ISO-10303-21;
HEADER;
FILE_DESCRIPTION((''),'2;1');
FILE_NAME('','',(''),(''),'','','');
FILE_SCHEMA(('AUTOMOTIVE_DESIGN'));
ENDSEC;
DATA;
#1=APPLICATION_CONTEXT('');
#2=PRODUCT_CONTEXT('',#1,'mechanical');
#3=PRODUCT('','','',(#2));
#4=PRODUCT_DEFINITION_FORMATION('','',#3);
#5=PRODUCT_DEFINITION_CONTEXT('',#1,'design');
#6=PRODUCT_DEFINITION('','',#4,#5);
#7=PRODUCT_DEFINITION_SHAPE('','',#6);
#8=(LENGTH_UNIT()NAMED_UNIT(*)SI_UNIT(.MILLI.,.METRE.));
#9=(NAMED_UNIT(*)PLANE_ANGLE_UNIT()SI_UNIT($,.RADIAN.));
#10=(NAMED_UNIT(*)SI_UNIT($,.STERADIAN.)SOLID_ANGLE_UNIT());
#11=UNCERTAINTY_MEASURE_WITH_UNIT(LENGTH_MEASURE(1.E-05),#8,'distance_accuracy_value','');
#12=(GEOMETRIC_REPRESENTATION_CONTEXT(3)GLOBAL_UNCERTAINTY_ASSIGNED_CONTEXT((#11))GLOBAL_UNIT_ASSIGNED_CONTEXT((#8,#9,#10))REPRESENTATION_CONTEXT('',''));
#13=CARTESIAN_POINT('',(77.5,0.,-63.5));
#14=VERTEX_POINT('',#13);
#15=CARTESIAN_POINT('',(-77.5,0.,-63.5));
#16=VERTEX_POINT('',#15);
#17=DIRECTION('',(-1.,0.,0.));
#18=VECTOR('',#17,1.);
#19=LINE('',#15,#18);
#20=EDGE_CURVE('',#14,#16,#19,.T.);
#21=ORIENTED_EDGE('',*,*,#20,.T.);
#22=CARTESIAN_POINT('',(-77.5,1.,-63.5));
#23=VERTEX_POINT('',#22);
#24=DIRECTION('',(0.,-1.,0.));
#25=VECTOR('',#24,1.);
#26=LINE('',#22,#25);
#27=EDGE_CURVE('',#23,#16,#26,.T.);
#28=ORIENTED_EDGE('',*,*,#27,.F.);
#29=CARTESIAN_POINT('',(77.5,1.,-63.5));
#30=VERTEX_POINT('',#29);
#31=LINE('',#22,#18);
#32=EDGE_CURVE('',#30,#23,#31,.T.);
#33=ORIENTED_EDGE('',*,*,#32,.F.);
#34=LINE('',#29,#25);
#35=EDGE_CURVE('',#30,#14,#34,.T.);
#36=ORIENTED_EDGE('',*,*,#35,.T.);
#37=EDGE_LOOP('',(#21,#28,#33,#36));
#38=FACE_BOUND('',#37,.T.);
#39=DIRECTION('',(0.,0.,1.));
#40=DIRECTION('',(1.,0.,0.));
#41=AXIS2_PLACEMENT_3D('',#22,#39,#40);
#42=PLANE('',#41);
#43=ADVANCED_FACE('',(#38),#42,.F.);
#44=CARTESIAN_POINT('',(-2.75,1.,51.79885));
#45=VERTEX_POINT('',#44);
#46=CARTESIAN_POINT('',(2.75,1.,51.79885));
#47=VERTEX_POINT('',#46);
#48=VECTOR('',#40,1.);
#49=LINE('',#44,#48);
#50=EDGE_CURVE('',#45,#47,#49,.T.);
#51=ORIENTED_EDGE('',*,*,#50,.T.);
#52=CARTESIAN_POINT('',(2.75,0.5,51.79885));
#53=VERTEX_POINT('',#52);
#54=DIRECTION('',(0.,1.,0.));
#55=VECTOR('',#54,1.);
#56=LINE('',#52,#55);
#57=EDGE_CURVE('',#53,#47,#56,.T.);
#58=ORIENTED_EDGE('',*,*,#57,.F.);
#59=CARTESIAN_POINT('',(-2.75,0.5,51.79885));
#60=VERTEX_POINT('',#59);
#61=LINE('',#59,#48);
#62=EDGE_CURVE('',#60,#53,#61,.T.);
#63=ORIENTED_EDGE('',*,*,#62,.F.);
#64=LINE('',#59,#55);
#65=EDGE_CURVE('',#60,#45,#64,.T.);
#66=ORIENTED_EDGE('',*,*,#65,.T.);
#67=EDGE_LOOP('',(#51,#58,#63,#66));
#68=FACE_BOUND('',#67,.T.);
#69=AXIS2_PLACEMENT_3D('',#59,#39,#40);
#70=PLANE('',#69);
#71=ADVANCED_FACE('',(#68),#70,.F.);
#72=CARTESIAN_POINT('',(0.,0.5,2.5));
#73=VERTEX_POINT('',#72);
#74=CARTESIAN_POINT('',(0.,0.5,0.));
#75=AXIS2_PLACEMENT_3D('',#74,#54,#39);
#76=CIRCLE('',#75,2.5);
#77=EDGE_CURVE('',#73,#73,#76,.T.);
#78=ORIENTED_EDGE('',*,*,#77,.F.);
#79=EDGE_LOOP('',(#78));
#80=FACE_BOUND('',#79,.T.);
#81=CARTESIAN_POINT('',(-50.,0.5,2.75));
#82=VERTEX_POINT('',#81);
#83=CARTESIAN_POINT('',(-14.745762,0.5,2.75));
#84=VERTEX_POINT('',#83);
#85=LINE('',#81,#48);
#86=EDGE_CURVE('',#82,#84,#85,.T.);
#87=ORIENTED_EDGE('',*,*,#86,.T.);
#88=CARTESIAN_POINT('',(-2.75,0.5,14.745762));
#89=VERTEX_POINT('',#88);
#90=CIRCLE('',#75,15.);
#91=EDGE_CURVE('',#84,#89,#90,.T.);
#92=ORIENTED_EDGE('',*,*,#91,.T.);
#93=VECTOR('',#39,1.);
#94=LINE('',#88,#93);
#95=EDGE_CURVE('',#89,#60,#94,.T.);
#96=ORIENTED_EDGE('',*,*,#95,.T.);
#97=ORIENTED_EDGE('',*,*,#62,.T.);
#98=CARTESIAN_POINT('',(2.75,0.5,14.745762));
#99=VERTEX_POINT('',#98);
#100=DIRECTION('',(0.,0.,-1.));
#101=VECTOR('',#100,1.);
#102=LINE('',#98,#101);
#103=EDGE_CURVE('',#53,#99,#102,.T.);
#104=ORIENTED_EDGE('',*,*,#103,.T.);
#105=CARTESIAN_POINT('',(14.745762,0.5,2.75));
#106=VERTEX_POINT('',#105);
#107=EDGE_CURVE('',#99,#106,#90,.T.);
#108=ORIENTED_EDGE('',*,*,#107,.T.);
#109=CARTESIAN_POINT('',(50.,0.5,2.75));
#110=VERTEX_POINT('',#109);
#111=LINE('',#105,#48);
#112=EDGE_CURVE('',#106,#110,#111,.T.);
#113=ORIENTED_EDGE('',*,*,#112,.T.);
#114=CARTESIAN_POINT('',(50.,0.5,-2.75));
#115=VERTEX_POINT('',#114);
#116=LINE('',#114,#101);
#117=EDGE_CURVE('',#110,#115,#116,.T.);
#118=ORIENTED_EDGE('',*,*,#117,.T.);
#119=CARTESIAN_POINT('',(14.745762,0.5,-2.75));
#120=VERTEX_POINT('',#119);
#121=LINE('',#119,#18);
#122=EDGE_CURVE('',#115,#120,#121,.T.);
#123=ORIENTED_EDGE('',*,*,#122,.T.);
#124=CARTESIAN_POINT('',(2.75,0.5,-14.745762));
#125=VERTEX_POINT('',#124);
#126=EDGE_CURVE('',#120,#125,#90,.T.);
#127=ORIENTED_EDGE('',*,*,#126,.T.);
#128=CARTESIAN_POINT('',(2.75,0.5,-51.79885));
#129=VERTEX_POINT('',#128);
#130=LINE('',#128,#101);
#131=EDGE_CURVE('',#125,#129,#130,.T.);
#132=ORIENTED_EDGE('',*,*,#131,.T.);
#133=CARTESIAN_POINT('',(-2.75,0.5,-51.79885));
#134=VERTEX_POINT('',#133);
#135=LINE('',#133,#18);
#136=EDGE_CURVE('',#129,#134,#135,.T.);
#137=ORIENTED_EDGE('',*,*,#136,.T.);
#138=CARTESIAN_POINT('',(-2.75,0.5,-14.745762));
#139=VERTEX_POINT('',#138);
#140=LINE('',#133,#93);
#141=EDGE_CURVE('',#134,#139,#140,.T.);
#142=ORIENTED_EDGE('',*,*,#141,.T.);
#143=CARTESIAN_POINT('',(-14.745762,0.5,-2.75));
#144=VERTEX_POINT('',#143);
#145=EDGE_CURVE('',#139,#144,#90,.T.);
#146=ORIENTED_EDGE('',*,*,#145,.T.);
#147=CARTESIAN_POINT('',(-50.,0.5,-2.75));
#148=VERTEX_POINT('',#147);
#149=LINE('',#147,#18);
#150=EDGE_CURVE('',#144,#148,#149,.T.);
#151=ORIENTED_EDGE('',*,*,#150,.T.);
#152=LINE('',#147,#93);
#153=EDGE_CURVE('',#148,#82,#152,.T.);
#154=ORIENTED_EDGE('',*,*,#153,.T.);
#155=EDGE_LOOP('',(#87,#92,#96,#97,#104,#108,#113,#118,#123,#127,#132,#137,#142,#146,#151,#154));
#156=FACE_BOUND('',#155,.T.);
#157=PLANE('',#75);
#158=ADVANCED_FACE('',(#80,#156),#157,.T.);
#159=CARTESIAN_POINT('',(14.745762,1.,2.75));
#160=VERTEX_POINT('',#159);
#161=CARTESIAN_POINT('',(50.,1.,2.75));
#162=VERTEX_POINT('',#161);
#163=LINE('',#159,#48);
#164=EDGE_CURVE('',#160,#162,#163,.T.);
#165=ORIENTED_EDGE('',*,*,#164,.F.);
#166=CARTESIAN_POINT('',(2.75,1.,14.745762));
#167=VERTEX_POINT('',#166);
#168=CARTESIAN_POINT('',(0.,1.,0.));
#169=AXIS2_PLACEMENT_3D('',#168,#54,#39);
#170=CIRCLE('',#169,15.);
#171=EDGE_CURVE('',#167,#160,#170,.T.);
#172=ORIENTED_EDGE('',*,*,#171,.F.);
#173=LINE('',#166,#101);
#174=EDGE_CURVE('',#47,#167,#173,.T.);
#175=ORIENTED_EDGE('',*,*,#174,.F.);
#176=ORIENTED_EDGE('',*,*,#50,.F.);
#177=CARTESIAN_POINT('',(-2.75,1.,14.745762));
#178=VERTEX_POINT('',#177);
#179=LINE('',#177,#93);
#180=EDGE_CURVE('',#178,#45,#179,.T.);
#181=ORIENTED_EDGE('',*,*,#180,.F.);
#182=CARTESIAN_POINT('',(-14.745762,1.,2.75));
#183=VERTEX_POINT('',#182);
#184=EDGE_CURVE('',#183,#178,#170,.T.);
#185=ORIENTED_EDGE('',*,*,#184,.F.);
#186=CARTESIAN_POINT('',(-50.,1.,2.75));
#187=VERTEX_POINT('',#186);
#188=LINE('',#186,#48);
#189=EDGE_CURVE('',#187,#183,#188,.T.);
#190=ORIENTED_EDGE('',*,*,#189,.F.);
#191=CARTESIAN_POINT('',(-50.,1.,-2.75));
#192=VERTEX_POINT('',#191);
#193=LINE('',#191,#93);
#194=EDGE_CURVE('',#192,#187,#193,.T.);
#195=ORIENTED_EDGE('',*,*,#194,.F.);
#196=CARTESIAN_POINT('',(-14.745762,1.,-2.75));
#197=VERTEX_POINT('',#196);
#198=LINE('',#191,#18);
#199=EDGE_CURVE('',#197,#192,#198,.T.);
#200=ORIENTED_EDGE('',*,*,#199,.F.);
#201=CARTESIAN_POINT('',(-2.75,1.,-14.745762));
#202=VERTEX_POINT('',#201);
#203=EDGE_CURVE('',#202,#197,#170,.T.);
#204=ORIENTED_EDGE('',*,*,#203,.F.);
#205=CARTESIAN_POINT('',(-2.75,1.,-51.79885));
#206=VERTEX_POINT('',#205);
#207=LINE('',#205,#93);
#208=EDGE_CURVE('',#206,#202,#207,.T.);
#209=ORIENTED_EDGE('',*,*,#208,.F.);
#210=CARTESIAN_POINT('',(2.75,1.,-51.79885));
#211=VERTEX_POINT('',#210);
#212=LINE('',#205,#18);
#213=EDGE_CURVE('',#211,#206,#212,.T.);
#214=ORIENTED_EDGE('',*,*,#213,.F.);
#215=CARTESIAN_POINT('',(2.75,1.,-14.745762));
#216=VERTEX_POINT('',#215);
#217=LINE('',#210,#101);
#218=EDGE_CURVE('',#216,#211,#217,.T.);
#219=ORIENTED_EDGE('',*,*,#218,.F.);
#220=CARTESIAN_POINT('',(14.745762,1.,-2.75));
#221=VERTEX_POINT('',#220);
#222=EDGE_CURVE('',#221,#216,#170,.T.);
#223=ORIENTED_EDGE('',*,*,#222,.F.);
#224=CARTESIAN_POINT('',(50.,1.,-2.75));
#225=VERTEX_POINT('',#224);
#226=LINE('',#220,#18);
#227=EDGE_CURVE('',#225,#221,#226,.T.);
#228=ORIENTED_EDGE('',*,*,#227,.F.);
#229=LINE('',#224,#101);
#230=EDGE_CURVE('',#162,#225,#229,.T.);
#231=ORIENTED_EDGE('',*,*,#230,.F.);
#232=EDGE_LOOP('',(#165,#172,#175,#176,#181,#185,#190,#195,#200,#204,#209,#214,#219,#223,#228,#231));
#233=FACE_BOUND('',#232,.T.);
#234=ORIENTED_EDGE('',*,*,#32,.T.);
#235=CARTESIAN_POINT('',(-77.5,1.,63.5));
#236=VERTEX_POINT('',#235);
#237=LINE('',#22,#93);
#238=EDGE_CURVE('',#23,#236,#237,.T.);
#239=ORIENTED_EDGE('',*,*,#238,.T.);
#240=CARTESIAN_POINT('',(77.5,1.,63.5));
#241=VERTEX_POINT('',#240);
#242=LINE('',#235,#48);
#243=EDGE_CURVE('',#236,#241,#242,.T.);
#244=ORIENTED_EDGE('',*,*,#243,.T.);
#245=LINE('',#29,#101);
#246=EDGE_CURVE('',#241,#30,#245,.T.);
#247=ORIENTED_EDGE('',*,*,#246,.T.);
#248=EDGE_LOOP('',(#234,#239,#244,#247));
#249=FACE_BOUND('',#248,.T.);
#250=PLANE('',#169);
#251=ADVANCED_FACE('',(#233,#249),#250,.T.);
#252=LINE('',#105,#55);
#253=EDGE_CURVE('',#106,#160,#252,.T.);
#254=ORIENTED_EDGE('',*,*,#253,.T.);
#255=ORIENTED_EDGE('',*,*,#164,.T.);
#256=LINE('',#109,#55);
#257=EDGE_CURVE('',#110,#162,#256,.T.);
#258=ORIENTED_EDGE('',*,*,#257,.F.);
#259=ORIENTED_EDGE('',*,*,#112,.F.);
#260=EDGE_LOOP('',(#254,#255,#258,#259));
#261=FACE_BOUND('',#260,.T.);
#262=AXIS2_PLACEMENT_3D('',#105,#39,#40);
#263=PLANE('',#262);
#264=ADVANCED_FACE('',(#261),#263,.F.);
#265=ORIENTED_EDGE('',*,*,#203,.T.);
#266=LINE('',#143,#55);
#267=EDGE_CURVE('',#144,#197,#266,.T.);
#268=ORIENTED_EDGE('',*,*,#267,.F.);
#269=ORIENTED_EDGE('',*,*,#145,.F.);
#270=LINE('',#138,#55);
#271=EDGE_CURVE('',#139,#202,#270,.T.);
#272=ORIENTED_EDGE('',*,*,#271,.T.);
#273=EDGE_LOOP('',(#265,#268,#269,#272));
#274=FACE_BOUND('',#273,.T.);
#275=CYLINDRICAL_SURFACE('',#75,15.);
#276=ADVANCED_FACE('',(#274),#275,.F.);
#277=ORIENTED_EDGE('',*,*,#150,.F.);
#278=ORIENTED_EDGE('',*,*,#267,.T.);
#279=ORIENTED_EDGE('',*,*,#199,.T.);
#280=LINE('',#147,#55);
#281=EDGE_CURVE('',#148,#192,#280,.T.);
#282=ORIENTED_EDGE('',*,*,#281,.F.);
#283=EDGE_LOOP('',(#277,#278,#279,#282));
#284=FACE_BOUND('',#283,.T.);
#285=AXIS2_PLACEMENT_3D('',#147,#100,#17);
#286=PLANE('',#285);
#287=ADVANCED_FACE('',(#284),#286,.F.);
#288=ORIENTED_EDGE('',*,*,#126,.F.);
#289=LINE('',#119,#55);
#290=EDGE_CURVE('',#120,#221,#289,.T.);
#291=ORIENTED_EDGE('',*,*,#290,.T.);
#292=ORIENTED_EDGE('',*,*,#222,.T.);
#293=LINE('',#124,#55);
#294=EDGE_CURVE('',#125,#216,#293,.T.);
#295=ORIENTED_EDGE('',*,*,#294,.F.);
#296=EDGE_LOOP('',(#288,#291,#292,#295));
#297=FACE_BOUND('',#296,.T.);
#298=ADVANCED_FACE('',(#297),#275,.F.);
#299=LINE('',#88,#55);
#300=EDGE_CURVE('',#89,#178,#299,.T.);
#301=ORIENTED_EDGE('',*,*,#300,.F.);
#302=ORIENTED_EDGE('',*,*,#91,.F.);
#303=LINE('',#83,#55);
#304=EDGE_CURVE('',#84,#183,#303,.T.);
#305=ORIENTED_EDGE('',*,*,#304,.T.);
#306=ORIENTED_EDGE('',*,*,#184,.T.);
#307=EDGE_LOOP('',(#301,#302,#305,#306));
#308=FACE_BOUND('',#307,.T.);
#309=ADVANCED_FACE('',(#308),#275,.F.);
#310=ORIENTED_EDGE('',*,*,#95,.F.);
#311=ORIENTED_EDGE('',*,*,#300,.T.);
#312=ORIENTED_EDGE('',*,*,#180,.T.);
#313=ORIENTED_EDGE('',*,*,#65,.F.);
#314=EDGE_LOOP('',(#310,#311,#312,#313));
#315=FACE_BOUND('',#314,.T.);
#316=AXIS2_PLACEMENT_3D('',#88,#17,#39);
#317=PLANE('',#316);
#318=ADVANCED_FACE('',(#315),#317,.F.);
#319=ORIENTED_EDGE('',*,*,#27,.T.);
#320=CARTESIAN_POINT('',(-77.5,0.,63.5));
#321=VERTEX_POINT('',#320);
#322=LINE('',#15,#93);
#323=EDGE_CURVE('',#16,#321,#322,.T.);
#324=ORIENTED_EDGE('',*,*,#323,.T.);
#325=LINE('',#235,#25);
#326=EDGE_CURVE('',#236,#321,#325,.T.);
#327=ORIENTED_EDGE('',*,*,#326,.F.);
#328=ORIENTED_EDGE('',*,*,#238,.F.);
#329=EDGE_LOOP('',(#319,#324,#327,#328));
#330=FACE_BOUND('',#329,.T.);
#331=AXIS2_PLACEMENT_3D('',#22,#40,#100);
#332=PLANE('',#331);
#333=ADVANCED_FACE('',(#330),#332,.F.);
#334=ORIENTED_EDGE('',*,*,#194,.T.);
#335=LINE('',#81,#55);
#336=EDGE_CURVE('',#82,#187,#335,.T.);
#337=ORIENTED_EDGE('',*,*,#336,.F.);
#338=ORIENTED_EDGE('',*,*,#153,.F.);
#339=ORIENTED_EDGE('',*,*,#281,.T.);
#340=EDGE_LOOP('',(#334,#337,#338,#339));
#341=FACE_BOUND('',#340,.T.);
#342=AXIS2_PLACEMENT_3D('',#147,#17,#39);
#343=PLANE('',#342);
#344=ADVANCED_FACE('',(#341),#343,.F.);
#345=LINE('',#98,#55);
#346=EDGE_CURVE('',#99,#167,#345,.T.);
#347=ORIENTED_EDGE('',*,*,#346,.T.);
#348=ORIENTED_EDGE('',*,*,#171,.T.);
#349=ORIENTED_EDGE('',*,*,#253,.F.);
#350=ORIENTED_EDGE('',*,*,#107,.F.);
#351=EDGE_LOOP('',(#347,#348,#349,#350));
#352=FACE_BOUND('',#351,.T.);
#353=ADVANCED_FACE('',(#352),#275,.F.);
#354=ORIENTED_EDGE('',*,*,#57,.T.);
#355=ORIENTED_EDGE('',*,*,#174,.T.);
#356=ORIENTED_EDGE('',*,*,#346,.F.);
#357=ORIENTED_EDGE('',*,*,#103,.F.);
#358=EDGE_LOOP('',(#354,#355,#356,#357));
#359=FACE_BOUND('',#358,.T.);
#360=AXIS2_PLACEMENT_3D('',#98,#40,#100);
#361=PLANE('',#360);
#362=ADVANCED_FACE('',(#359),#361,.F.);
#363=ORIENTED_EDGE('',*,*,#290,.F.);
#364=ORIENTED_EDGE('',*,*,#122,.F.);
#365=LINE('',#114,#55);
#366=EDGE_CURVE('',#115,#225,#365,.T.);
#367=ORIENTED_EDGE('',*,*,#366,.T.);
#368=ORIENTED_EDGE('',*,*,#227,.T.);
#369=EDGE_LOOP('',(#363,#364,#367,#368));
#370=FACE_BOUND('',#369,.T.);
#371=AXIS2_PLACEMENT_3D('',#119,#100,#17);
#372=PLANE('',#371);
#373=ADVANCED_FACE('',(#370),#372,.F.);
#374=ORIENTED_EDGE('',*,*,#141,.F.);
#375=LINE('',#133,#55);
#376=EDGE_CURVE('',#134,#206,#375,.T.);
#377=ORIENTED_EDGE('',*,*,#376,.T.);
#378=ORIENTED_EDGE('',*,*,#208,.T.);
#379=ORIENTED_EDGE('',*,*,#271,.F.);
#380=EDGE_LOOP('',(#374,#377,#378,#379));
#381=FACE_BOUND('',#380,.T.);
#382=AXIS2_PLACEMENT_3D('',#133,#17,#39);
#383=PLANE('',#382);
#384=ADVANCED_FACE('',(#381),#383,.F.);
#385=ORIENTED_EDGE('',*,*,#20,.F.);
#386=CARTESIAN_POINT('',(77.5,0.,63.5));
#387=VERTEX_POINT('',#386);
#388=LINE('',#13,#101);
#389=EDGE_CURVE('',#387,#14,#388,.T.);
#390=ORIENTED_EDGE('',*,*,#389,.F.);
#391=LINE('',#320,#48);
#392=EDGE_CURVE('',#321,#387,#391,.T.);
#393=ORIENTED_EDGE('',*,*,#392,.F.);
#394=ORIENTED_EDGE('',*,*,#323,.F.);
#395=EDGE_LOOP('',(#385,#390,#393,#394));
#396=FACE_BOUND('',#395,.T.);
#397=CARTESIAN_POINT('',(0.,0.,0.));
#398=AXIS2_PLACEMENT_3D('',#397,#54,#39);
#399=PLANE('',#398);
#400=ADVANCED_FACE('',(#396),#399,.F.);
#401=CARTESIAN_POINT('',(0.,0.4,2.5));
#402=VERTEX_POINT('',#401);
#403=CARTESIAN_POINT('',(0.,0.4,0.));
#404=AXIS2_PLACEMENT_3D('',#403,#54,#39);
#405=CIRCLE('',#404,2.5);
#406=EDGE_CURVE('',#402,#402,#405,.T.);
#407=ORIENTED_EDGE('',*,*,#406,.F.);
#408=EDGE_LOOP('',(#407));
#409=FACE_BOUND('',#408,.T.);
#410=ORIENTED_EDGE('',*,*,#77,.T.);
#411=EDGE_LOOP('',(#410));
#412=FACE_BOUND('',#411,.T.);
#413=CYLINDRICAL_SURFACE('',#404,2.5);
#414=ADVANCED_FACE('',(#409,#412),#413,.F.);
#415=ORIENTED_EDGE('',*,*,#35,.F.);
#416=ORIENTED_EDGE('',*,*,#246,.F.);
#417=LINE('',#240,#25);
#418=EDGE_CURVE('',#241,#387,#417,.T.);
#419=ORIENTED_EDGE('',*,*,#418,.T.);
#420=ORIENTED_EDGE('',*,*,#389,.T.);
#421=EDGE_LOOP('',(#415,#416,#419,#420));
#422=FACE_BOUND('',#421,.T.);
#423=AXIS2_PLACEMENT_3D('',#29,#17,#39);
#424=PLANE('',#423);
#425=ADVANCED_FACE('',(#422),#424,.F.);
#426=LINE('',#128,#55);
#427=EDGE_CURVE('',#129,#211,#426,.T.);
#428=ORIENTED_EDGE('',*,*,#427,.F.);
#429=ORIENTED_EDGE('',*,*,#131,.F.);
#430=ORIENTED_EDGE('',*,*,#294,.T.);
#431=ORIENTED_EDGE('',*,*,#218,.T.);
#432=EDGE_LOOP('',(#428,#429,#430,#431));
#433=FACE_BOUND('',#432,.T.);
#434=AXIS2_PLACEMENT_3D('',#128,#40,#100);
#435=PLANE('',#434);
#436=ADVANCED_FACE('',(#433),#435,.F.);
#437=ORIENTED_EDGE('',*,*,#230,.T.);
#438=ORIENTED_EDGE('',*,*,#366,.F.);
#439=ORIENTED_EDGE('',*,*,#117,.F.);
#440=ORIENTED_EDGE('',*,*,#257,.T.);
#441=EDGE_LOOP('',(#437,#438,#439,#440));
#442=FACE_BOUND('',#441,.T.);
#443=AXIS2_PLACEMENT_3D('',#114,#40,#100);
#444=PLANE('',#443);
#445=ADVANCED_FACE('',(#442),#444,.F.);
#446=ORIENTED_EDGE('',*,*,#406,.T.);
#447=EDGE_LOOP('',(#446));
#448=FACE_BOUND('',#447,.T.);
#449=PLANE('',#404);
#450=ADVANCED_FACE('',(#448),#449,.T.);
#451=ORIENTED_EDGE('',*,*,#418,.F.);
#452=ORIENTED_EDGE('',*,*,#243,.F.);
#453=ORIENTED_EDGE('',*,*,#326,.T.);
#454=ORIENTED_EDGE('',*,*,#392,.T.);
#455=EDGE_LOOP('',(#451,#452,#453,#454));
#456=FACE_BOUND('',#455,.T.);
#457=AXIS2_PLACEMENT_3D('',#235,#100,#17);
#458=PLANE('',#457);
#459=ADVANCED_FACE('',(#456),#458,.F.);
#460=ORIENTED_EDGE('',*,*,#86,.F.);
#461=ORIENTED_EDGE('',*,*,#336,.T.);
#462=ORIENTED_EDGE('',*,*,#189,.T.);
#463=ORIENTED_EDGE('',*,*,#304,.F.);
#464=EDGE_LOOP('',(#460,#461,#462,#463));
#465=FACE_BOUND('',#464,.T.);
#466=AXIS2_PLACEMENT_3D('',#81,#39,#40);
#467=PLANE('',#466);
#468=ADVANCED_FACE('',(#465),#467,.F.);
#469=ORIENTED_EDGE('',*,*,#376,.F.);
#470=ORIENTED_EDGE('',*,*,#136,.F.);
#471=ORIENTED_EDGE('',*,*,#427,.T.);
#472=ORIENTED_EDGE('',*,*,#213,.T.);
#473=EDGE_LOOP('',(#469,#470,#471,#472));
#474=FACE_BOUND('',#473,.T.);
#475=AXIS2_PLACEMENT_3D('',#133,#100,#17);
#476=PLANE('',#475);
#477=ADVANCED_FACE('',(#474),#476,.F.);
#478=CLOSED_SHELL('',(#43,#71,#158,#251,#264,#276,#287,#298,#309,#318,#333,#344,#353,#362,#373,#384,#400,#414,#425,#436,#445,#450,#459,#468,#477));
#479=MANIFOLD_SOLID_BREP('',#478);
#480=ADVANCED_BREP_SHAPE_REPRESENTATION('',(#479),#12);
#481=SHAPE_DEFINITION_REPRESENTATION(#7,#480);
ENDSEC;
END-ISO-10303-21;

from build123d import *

# Parameters (mm, degrees)
SKETCH1_W           = 155
SKETCH1_H           = 127
BOSS_EXTRUDE1_DEPTH = 1
CUT_EXTRUDE1_DEPTH  = 0.5
SKETCH3_R           = 2.5
CUT_EXTRUDE2_DEPTH  = 0.1


with BuildPart() as part:
    # Sketch1 → Boss-Extrude1 (new body)
    with BuildSketch(Plane(origin=(0, 0, 0), x_dir=(1, 0, 0), z_dir=(0, 1, 0))):
        Rectangle(SKETCH1_W, SKETCH1_H)
    extrude(amount=BOSS_EXTRUDE1_DEPTH)

    # Sketch2 → Cut-Extrude1 (cut)
    with BuildSketch(Plane(origin=(0, 1, 0), x_dir=(1, 0, 0), z_dir=(0, 1, 0))):
        with BuildLine():
            Line((2.75, -14.745762103), (2.75, -51.798849897))
            Line((2.75, -51.798849897), (-2.75, -51.798849897))
            Line((-2.75, -51.798849897), (-2.75, -14.745762103))
            ThreePointArc((-2.75, -14.745762103), (-10.606601718, -10.606601718), (-14.745762103, -2.75))
            Line((-14.745762103, -2.75), (-50, -2.75))
            Line((-50, -2.75), (-50, 2.75))
            Line((-50, 2.75), (-14.745762103, 2.75))
            ThreePointArc((-14.745762103, 2.75), (-10.606601718, 10.606601718), (-2.75, 14.745762103))
            Line((-2.75, 14.745762103), (-2.75, 51.798849897))
            Line((-2.75, 51.798849897), (2.75, 51.798849897))
            Line((2.75, 51.798849897), (2.75, 14.745762103))
            ThreePointArc((2.75, 14.745762103), (10.606601718, 10.606601718), (14.745762103, 2.75))
            Line((14.745762103, 2.75), (50, 2.75))
            Line((50, 2.75), (50, -2.75))
            Line((50, -2.75), (14.745762103, -2.75))
            ThreePointArc((14.745762103, -2.75), (10.606601718, -10.606601718), (2.75, -14.745762103))
        make_face()
    extrude(amount=-CUT_EXTRUDE1_DEPTH, mode=Mode.SUBTRACT)

    # Sketch3 → Cut-Extrude2 (cut)
    with BuildSketch(Plane(origin=(0, 0.5, 0), x_dir=(1, 0, 0), z_dir=(0, 1, 0))):
        with Locations(Location((0, 0, 0), (0, 0, 270))):
            Circle(SKETCH3_R)
    extrude(amount=-CUT_EXTRUDE2_DEPTH, mode=Mode.SUBTRACT)


solid = part.part
